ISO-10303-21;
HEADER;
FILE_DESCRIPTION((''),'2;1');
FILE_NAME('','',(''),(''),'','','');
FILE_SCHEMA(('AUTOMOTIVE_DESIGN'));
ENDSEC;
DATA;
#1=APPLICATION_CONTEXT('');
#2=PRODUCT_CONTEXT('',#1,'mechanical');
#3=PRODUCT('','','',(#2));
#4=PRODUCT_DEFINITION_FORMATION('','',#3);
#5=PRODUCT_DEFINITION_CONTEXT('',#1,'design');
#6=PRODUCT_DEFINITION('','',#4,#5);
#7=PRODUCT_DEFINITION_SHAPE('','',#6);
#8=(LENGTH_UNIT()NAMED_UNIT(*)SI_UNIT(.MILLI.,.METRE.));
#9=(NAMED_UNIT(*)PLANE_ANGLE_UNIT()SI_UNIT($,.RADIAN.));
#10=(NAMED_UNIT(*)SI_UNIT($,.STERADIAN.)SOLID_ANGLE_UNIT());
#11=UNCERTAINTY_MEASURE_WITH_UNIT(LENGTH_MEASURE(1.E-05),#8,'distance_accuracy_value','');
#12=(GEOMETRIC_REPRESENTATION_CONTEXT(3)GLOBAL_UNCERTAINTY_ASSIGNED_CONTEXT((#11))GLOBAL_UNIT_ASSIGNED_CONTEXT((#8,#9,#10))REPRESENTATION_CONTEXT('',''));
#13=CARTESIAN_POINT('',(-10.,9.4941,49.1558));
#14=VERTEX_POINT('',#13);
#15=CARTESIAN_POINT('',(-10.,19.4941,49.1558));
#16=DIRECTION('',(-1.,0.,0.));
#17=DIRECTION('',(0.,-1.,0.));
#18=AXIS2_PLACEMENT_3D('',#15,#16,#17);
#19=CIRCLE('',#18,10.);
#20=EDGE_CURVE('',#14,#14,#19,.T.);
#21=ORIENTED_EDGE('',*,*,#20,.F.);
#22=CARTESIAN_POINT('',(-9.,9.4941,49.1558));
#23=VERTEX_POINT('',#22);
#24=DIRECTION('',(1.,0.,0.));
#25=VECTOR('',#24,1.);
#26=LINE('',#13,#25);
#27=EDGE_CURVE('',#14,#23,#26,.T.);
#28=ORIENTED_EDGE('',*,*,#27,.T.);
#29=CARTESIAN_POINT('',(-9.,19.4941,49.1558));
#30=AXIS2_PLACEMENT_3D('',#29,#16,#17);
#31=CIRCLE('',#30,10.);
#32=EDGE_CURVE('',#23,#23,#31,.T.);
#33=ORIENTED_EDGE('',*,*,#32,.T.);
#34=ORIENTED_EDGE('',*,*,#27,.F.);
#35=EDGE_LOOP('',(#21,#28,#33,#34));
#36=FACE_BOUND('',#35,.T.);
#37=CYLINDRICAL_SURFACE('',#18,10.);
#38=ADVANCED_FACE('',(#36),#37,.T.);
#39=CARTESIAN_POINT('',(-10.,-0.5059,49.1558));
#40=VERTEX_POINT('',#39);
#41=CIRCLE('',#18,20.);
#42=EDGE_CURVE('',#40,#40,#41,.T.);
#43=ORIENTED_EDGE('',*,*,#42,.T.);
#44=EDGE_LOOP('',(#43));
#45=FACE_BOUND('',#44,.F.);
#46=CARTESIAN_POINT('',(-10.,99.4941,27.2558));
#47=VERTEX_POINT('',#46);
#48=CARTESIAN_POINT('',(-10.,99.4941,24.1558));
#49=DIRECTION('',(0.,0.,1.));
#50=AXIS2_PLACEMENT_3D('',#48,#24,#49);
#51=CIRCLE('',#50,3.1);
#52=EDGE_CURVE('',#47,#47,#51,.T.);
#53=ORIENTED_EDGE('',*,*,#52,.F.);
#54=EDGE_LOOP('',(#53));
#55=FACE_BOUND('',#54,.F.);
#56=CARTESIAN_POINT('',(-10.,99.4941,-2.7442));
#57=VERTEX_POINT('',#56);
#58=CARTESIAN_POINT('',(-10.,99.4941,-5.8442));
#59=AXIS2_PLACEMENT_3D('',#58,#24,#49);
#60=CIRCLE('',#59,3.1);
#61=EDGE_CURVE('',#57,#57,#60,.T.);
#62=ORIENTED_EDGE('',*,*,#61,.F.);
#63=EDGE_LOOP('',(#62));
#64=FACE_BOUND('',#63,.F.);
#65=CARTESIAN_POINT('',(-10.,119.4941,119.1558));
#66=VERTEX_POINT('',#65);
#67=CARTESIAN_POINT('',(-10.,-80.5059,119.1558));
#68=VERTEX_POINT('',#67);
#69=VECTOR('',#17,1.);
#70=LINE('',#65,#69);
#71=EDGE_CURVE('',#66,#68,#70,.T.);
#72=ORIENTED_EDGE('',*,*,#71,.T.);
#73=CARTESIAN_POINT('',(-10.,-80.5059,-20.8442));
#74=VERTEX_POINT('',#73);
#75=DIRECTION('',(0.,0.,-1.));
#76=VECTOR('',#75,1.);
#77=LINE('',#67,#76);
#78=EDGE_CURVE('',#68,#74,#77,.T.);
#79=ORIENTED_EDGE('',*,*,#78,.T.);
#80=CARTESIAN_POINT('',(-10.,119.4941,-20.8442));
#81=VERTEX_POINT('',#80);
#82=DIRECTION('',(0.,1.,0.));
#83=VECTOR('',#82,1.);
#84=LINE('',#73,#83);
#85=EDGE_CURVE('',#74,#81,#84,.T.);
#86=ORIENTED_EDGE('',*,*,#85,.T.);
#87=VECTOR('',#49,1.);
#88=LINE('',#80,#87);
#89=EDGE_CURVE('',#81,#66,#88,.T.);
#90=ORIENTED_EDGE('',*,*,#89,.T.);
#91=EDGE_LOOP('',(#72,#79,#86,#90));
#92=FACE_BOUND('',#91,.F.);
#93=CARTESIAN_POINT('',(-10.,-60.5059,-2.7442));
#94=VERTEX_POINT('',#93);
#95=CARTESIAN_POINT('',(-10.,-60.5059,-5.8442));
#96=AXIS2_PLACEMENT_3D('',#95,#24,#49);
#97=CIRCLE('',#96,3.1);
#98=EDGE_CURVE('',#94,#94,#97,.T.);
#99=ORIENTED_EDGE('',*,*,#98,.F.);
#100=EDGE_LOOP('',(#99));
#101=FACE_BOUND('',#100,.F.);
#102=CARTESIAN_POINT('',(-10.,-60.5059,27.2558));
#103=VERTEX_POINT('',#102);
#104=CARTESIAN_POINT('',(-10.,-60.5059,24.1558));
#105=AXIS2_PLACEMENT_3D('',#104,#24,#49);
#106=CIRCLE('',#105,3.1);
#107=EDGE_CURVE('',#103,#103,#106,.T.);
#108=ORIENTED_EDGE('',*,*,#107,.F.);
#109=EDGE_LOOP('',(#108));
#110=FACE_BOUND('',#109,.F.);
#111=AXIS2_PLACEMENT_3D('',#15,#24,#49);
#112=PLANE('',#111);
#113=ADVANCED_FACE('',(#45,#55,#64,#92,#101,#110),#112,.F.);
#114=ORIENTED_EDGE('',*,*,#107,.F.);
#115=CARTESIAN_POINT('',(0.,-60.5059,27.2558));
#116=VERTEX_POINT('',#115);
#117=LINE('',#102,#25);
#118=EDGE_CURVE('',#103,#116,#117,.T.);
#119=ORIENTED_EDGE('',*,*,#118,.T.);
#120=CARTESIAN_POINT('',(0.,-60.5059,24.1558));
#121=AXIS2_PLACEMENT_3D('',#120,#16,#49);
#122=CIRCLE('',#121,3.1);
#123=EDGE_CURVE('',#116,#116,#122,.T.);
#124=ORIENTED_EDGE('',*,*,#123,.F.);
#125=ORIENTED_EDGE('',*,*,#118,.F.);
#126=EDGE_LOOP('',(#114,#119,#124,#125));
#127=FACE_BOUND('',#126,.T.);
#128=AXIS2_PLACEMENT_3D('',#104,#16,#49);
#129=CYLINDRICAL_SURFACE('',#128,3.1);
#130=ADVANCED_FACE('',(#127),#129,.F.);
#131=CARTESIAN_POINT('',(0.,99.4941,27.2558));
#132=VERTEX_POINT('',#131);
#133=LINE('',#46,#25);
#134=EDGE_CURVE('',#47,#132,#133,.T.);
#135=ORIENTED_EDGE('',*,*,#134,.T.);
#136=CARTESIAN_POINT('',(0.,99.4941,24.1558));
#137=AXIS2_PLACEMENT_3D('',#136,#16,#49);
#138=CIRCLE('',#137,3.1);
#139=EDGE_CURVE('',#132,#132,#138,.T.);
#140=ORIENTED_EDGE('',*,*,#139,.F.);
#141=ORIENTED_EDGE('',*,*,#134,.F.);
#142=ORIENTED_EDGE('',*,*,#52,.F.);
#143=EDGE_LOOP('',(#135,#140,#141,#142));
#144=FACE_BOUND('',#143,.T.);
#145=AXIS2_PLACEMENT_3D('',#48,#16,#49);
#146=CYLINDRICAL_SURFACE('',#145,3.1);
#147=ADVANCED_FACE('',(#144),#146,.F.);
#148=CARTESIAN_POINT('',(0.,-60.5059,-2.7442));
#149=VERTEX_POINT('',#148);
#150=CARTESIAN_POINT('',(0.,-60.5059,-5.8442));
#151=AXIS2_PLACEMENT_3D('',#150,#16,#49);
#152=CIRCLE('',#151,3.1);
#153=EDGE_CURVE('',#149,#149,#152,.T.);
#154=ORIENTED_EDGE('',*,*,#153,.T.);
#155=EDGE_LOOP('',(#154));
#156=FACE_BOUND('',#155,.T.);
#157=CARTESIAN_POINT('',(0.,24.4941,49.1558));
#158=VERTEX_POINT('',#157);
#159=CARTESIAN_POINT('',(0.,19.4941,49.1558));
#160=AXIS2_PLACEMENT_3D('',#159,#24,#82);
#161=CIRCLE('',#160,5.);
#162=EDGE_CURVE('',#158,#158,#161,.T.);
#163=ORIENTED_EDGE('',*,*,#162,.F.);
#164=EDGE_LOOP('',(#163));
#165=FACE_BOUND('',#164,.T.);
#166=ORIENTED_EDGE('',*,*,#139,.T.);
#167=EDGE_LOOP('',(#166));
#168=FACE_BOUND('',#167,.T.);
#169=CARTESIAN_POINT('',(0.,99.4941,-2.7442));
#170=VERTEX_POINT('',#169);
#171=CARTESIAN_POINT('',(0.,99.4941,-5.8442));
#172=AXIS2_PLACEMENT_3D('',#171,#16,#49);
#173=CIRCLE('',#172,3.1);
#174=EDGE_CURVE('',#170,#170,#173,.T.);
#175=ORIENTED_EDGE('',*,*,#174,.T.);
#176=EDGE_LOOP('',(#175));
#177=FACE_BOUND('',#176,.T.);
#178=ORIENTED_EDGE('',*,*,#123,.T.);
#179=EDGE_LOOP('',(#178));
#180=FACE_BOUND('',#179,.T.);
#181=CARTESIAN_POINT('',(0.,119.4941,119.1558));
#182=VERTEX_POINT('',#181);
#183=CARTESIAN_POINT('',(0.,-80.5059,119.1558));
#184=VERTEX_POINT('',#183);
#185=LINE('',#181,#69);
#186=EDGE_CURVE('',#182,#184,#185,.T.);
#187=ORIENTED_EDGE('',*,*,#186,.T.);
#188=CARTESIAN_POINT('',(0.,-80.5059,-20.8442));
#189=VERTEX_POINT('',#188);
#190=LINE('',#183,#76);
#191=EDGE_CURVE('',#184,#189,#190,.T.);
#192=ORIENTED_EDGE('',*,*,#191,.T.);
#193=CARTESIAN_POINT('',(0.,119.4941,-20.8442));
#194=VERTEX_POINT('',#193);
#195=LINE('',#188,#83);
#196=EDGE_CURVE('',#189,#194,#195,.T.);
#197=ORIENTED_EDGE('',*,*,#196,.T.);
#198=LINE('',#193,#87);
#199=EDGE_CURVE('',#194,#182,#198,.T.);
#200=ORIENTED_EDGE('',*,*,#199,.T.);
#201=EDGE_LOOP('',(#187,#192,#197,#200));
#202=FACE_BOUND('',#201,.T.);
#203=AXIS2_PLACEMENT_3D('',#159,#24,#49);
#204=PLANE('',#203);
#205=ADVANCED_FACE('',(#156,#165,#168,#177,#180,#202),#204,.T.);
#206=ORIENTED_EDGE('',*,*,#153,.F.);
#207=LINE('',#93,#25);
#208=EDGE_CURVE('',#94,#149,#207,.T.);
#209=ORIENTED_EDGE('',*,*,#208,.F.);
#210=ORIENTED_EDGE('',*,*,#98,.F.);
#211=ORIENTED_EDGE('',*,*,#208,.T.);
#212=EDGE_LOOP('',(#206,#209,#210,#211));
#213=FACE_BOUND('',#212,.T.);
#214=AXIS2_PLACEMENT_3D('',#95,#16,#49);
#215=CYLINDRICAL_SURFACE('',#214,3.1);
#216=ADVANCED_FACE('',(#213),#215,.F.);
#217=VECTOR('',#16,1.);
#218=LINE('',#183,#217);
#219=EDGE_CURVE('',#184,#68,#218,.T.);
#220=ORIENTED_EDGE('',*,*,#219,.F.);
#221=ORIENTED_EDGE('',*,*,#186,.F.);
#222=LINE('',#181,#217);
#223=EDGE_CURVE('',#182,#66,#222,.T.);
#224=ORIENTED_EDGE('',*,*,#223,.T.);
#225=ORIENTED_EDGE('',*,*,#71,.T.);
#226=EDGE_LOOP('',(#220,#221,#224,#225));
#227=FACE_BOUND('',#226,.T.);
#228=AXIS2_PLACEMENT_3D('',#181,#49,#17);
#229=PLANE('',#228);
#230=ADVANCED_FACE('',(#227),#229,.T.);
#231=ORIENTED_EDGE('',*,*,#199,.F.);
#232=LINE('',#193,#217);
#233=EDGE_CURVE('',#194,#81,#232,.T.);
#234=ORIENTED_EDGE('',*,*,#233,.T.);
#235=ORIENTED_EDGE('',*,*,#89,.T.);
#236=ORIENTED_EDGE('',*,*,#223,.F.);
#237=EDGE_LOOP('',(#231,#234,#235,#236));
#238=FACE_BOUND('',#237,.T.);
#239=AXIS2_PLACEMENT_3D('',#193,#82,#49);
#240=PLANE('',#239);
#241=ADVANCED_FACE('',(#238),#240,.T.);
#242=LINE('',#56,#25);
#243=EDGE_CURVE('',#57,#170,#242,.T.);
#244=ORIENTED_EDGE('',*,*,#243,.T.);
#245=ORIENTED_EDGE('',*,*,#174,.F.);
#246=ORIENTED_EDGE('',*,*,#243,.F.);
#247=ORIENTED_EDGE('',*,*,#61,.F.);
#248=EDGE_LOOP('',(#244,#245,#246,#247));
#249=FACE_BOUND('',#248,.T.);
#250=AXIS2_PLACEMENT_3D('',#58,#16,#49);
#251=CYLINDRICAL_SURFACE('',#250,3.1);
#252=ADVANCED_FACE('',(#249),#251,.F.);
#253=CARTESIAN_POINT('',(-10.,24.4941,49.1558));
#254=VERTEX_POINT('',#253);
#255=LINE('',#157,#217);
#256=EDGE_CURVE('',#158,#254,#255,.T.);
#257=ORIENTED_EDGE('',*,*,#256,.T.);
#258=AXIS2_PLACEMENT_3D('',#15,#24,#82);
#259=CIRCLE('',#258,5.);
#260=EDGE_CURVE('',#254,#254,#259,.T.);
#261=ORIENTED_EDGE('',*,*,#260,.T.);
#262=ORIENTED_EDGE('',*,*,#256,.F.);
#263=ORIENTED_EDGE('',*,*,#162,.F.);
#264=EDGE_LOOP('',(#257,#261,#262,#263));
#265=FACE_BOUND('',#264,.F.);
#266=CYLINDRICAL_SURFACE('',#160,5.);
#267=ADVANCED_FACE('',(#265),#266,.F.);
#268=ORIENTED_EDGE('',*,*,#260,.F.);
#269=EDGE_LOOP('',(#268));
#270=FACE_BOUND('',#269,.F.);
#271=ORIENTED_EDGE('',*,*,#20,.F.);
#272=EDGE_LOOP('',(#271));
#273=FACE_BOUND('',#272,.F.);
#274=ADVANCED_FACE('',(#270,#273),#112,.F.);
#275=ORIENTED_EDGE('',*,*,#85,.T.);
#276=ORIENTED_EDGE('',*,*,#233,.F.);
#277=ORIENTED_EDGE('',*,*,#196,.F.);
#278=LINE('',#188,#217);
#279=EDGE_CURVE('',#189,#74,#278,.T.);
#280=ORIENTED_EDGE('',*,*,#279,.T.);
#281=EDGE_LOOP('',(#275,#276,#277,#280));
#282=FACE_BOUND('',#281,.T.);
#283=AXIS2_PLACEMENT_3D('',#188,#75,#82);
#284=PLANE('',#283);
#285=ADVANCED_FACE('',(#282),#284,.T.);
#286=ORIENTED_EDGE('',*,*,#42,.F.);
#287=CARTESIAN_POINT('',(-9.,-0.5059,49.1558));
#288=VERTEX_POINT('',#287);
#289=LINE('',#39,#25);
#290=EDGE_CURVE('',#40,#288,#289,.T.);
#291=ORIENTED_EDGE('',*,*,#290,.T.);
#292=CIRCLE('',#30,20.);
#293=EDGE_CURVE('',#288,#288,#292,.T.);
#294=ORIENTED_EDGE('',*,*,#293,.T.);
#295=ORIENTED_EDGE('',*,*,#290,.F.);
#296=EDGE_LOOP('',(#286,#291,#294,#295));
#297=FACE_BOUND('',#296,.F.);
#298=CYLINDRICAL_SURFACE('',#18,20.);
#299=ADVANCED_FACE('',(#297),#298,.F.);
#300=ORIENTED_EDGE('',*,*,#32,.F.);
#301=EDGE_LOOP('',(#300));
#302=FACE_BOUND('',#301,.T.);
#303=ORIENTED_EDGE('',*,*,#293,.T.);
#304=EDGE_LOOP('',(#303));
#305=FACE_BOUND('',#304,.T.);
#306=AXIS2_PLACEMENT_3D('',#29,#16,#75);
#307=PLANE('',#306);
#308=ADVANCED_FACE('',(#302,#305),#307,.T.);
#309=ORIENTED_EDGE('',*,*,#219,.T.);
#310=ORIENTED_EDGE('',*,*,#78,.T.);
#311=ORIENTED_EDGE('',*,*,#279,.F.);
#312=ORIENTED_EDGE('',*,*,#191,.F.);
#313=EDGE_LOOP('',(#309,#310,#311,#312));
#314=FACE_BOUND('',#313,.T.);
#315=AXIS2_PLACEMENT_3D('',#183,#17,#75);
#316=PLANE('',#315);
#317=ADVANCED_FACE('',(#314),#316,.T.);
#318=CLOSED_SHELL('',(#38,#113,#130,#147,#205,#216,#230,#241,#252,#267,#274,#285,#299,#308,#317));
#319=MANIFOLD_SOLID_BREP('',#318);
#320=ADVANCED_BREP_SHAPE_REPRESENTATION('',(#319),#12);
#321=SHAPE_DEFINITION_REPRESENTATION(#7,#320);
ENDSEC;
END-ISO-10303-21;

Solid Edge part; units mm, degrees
sketch "Sketch1" plane through (0, 0, 0) normal (1, 0, 0) x (0, 1, 0)
  line L0 (-80.5059, -20.8442) -> (119.4941, -20.8442)
  line L1 (119.4941, -20.8442) -> (119.4941, 119.1558)
  line L2 (119.4941, 119.1558) -> (-80.5059, 119.1558)
  line L3 (-80.5059, 119.1558) -> (-80.5059, -20.8442)
  dimension "D1" = 140
  dimension "D2" = 200
extrude "Protrusion1" add sketch "Sketch1" against normal blind 10
sketch "Sketch2" plane through (0, 44.4941, 29.1558) normal (1, 0, 0) x (0, 1, 0)
  circle A0 centre (-25, 20) radius 5
  dimension "D1" = 10
extrude "Cutout1" cut sketch "Sketch2" against normal through all
sketch "Sketch3" plane through (-10, 44.4941, 29.1558) normal (-1, 0, 0) x (0, -1, 0)
  circle A0 centre (25, 20) radius 10
  circle A1 centre (25, 20) radius 20
  dimension "D1" = 20
extrude "Cutout2" cut sketch "Sketch3" against normal blind 1
hole "Hole1" at (-10, 99.4941, -5.8442) direction (1, 0, 0) diameter 6.2 end up to next
hole "Hole2" at (-10, -60.5059, -5.8442) direction (1, 0, 0) diameter 6.2 end up to next
hole "Hole3" at (-10, -60.5059, 24.1558) direction (1, 0, 0) diameter 6.2 end up to next
hole "Hole4" at (-10, 99.4941, 24.1558) direction (1, 0, 0) diameter 6.2 end up to next
